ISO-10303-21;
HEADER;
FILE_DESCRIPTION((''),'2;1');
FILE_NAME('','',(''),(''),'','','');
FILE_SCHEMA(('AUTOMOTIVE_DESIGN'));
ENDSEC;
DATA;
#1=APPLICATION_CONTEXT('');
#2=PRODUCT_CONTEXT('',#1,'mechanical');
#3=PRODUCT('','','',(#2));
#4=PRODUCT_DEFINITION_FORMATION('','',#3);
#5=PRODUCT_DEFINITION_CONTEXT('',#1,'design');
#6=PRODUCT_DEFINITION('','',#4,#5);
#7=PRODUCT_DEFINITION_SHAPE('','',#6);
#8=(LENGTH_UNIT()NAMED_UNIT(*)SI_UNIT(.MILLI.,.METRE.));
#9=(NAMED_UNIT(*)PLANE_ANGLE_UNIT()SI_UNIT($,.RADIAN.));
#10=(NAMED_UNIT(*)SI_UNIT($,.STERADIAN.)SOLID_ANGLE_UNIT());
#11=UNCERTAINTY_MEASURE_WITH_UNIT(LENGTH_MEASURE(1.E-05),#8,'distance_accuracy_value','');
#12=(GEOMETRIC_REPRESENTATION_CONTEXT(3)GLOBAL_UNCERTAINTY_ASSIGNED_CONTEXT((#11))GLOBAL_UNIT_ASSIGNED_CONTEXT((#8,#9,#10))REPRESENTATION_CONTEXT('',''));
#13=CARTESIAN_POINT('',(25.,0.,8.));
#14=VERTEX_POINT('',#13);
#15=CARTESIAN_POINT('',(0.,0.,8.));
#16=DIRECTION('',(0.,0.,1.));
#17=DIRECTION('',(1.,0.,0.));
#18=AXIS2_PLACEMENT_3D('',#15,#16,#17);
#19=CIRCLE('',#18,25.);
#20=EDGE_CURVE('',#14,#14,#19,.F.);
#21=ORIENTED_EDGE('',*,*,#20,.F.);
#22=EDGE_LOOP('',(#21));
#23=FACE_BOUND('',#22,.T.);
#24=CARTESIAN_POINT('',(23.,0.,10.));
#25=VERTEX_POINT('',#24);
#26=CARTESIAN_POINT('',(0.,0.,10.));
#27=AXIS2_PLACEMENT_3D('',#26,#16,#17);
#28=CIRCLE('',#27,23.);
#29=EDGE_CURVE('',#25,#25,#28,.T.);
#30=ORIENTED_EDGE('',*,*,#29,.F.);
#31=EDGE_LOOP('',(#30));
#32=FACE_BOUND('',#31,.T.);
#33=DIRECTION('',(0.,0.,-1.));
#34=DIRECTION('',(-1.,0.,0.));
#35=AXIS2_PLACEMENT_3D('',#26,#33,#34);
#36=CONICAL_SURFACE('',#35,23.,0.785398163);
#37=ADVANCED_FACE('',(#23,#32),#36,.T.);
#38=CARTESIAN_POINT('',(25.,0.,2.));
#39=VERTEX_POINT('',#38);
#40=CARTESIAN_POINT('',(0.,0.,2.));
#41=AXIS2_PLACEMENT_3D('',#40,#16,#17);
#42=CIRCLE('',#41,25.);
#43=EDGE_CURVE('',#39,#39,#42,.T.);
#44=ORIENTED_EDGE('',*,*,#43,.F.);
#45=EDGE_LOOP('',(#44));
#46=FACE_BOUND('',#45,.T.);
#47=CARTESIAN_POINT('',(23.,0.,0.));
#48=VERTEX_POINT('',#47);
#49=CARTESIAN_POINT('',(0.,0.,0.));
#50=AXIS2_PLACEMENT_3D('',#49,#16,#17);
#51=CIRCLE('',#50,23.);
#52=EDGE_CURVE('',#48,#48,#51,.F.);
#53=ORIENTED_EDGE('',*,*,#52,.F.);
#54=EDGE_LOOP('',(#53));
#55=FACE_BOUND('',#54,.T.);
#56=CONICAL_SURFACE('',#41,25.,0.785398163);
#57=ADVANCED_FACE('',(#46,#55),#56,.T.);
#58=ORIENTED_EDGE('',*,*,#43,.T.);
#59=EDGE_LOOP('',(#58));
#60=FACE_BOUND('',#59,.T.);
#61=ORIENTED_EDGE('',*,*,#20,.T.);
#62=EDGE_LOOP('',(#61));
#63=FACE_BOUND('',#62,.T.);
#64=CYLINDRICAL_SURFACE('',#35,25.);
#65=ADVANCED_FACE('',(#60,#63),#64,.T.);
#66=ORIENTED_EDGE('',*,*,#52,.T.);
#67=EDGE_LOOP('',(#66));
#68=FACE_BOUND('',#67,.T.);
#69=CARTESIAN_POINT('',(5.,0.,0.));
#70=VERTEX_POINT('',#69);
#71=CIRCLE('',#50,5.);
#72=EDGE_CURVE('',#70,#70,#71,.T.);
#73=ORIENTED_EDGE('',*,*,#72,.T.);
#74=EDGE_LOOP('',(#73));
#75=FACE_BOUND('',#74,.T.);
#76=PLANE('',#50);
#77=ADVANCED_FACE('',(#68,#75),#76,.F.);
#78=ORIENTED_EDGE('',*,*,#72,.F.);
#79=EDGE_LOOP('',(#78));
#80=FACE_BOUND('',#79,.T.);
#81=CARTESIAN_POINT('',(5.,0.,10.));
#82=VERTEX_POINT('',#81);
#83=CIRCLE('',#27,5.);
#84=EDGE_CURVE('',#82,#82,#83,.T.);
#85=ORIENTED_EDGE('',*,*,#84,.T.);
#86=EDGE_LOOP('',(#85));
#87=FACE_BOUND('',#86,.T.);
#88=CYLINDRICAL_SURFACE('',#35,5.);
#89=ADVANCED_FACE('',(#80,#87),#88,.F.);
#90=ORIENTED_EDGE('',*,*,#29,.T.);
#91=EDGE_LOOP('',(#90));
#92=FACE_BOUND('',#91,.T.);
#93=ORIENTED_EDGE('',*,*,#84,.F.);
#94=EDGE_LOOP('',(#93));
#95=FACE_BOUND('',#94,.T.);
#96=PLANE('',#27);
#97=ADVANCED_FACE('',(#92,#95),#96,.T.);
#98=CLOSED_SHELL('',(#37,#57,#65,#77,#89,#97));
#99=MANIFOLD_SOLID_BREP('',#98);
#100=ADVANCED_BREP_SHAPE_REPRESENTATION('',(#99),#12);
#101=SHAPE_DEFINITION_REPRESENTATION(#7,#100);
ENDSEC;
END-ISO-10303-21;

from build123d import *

# Parameters (mm, degrees)
SKETCH1_R           = 25
SKETCH1_R_2         = 5
BOSS_EXTRUDE1_DEPTH = 10
CHAMFER1_SIZE       = 2


with BuildPart() as part:
    # Sketch1 → Boss-Extrude1 (new body)
    with BuildSketch(Plane.XY):
        Circle(SKETCH1_R)
        Circle(SKETCH1_R_2, mode=Mode.SUBTRACT)
    extrude(amount=BOSS_EXTRUDE1_DEPTH)

    # Chamfer1
    chamfer1_edges = [part.edges().sort_by_distance(p)[0] for p in [
        (-25, 0, 0),
        (-25, 0, 10),
    ]]
    chamfer(chamfer1_edges, length=CHAMFER1_SIZE)


solid = part.part
